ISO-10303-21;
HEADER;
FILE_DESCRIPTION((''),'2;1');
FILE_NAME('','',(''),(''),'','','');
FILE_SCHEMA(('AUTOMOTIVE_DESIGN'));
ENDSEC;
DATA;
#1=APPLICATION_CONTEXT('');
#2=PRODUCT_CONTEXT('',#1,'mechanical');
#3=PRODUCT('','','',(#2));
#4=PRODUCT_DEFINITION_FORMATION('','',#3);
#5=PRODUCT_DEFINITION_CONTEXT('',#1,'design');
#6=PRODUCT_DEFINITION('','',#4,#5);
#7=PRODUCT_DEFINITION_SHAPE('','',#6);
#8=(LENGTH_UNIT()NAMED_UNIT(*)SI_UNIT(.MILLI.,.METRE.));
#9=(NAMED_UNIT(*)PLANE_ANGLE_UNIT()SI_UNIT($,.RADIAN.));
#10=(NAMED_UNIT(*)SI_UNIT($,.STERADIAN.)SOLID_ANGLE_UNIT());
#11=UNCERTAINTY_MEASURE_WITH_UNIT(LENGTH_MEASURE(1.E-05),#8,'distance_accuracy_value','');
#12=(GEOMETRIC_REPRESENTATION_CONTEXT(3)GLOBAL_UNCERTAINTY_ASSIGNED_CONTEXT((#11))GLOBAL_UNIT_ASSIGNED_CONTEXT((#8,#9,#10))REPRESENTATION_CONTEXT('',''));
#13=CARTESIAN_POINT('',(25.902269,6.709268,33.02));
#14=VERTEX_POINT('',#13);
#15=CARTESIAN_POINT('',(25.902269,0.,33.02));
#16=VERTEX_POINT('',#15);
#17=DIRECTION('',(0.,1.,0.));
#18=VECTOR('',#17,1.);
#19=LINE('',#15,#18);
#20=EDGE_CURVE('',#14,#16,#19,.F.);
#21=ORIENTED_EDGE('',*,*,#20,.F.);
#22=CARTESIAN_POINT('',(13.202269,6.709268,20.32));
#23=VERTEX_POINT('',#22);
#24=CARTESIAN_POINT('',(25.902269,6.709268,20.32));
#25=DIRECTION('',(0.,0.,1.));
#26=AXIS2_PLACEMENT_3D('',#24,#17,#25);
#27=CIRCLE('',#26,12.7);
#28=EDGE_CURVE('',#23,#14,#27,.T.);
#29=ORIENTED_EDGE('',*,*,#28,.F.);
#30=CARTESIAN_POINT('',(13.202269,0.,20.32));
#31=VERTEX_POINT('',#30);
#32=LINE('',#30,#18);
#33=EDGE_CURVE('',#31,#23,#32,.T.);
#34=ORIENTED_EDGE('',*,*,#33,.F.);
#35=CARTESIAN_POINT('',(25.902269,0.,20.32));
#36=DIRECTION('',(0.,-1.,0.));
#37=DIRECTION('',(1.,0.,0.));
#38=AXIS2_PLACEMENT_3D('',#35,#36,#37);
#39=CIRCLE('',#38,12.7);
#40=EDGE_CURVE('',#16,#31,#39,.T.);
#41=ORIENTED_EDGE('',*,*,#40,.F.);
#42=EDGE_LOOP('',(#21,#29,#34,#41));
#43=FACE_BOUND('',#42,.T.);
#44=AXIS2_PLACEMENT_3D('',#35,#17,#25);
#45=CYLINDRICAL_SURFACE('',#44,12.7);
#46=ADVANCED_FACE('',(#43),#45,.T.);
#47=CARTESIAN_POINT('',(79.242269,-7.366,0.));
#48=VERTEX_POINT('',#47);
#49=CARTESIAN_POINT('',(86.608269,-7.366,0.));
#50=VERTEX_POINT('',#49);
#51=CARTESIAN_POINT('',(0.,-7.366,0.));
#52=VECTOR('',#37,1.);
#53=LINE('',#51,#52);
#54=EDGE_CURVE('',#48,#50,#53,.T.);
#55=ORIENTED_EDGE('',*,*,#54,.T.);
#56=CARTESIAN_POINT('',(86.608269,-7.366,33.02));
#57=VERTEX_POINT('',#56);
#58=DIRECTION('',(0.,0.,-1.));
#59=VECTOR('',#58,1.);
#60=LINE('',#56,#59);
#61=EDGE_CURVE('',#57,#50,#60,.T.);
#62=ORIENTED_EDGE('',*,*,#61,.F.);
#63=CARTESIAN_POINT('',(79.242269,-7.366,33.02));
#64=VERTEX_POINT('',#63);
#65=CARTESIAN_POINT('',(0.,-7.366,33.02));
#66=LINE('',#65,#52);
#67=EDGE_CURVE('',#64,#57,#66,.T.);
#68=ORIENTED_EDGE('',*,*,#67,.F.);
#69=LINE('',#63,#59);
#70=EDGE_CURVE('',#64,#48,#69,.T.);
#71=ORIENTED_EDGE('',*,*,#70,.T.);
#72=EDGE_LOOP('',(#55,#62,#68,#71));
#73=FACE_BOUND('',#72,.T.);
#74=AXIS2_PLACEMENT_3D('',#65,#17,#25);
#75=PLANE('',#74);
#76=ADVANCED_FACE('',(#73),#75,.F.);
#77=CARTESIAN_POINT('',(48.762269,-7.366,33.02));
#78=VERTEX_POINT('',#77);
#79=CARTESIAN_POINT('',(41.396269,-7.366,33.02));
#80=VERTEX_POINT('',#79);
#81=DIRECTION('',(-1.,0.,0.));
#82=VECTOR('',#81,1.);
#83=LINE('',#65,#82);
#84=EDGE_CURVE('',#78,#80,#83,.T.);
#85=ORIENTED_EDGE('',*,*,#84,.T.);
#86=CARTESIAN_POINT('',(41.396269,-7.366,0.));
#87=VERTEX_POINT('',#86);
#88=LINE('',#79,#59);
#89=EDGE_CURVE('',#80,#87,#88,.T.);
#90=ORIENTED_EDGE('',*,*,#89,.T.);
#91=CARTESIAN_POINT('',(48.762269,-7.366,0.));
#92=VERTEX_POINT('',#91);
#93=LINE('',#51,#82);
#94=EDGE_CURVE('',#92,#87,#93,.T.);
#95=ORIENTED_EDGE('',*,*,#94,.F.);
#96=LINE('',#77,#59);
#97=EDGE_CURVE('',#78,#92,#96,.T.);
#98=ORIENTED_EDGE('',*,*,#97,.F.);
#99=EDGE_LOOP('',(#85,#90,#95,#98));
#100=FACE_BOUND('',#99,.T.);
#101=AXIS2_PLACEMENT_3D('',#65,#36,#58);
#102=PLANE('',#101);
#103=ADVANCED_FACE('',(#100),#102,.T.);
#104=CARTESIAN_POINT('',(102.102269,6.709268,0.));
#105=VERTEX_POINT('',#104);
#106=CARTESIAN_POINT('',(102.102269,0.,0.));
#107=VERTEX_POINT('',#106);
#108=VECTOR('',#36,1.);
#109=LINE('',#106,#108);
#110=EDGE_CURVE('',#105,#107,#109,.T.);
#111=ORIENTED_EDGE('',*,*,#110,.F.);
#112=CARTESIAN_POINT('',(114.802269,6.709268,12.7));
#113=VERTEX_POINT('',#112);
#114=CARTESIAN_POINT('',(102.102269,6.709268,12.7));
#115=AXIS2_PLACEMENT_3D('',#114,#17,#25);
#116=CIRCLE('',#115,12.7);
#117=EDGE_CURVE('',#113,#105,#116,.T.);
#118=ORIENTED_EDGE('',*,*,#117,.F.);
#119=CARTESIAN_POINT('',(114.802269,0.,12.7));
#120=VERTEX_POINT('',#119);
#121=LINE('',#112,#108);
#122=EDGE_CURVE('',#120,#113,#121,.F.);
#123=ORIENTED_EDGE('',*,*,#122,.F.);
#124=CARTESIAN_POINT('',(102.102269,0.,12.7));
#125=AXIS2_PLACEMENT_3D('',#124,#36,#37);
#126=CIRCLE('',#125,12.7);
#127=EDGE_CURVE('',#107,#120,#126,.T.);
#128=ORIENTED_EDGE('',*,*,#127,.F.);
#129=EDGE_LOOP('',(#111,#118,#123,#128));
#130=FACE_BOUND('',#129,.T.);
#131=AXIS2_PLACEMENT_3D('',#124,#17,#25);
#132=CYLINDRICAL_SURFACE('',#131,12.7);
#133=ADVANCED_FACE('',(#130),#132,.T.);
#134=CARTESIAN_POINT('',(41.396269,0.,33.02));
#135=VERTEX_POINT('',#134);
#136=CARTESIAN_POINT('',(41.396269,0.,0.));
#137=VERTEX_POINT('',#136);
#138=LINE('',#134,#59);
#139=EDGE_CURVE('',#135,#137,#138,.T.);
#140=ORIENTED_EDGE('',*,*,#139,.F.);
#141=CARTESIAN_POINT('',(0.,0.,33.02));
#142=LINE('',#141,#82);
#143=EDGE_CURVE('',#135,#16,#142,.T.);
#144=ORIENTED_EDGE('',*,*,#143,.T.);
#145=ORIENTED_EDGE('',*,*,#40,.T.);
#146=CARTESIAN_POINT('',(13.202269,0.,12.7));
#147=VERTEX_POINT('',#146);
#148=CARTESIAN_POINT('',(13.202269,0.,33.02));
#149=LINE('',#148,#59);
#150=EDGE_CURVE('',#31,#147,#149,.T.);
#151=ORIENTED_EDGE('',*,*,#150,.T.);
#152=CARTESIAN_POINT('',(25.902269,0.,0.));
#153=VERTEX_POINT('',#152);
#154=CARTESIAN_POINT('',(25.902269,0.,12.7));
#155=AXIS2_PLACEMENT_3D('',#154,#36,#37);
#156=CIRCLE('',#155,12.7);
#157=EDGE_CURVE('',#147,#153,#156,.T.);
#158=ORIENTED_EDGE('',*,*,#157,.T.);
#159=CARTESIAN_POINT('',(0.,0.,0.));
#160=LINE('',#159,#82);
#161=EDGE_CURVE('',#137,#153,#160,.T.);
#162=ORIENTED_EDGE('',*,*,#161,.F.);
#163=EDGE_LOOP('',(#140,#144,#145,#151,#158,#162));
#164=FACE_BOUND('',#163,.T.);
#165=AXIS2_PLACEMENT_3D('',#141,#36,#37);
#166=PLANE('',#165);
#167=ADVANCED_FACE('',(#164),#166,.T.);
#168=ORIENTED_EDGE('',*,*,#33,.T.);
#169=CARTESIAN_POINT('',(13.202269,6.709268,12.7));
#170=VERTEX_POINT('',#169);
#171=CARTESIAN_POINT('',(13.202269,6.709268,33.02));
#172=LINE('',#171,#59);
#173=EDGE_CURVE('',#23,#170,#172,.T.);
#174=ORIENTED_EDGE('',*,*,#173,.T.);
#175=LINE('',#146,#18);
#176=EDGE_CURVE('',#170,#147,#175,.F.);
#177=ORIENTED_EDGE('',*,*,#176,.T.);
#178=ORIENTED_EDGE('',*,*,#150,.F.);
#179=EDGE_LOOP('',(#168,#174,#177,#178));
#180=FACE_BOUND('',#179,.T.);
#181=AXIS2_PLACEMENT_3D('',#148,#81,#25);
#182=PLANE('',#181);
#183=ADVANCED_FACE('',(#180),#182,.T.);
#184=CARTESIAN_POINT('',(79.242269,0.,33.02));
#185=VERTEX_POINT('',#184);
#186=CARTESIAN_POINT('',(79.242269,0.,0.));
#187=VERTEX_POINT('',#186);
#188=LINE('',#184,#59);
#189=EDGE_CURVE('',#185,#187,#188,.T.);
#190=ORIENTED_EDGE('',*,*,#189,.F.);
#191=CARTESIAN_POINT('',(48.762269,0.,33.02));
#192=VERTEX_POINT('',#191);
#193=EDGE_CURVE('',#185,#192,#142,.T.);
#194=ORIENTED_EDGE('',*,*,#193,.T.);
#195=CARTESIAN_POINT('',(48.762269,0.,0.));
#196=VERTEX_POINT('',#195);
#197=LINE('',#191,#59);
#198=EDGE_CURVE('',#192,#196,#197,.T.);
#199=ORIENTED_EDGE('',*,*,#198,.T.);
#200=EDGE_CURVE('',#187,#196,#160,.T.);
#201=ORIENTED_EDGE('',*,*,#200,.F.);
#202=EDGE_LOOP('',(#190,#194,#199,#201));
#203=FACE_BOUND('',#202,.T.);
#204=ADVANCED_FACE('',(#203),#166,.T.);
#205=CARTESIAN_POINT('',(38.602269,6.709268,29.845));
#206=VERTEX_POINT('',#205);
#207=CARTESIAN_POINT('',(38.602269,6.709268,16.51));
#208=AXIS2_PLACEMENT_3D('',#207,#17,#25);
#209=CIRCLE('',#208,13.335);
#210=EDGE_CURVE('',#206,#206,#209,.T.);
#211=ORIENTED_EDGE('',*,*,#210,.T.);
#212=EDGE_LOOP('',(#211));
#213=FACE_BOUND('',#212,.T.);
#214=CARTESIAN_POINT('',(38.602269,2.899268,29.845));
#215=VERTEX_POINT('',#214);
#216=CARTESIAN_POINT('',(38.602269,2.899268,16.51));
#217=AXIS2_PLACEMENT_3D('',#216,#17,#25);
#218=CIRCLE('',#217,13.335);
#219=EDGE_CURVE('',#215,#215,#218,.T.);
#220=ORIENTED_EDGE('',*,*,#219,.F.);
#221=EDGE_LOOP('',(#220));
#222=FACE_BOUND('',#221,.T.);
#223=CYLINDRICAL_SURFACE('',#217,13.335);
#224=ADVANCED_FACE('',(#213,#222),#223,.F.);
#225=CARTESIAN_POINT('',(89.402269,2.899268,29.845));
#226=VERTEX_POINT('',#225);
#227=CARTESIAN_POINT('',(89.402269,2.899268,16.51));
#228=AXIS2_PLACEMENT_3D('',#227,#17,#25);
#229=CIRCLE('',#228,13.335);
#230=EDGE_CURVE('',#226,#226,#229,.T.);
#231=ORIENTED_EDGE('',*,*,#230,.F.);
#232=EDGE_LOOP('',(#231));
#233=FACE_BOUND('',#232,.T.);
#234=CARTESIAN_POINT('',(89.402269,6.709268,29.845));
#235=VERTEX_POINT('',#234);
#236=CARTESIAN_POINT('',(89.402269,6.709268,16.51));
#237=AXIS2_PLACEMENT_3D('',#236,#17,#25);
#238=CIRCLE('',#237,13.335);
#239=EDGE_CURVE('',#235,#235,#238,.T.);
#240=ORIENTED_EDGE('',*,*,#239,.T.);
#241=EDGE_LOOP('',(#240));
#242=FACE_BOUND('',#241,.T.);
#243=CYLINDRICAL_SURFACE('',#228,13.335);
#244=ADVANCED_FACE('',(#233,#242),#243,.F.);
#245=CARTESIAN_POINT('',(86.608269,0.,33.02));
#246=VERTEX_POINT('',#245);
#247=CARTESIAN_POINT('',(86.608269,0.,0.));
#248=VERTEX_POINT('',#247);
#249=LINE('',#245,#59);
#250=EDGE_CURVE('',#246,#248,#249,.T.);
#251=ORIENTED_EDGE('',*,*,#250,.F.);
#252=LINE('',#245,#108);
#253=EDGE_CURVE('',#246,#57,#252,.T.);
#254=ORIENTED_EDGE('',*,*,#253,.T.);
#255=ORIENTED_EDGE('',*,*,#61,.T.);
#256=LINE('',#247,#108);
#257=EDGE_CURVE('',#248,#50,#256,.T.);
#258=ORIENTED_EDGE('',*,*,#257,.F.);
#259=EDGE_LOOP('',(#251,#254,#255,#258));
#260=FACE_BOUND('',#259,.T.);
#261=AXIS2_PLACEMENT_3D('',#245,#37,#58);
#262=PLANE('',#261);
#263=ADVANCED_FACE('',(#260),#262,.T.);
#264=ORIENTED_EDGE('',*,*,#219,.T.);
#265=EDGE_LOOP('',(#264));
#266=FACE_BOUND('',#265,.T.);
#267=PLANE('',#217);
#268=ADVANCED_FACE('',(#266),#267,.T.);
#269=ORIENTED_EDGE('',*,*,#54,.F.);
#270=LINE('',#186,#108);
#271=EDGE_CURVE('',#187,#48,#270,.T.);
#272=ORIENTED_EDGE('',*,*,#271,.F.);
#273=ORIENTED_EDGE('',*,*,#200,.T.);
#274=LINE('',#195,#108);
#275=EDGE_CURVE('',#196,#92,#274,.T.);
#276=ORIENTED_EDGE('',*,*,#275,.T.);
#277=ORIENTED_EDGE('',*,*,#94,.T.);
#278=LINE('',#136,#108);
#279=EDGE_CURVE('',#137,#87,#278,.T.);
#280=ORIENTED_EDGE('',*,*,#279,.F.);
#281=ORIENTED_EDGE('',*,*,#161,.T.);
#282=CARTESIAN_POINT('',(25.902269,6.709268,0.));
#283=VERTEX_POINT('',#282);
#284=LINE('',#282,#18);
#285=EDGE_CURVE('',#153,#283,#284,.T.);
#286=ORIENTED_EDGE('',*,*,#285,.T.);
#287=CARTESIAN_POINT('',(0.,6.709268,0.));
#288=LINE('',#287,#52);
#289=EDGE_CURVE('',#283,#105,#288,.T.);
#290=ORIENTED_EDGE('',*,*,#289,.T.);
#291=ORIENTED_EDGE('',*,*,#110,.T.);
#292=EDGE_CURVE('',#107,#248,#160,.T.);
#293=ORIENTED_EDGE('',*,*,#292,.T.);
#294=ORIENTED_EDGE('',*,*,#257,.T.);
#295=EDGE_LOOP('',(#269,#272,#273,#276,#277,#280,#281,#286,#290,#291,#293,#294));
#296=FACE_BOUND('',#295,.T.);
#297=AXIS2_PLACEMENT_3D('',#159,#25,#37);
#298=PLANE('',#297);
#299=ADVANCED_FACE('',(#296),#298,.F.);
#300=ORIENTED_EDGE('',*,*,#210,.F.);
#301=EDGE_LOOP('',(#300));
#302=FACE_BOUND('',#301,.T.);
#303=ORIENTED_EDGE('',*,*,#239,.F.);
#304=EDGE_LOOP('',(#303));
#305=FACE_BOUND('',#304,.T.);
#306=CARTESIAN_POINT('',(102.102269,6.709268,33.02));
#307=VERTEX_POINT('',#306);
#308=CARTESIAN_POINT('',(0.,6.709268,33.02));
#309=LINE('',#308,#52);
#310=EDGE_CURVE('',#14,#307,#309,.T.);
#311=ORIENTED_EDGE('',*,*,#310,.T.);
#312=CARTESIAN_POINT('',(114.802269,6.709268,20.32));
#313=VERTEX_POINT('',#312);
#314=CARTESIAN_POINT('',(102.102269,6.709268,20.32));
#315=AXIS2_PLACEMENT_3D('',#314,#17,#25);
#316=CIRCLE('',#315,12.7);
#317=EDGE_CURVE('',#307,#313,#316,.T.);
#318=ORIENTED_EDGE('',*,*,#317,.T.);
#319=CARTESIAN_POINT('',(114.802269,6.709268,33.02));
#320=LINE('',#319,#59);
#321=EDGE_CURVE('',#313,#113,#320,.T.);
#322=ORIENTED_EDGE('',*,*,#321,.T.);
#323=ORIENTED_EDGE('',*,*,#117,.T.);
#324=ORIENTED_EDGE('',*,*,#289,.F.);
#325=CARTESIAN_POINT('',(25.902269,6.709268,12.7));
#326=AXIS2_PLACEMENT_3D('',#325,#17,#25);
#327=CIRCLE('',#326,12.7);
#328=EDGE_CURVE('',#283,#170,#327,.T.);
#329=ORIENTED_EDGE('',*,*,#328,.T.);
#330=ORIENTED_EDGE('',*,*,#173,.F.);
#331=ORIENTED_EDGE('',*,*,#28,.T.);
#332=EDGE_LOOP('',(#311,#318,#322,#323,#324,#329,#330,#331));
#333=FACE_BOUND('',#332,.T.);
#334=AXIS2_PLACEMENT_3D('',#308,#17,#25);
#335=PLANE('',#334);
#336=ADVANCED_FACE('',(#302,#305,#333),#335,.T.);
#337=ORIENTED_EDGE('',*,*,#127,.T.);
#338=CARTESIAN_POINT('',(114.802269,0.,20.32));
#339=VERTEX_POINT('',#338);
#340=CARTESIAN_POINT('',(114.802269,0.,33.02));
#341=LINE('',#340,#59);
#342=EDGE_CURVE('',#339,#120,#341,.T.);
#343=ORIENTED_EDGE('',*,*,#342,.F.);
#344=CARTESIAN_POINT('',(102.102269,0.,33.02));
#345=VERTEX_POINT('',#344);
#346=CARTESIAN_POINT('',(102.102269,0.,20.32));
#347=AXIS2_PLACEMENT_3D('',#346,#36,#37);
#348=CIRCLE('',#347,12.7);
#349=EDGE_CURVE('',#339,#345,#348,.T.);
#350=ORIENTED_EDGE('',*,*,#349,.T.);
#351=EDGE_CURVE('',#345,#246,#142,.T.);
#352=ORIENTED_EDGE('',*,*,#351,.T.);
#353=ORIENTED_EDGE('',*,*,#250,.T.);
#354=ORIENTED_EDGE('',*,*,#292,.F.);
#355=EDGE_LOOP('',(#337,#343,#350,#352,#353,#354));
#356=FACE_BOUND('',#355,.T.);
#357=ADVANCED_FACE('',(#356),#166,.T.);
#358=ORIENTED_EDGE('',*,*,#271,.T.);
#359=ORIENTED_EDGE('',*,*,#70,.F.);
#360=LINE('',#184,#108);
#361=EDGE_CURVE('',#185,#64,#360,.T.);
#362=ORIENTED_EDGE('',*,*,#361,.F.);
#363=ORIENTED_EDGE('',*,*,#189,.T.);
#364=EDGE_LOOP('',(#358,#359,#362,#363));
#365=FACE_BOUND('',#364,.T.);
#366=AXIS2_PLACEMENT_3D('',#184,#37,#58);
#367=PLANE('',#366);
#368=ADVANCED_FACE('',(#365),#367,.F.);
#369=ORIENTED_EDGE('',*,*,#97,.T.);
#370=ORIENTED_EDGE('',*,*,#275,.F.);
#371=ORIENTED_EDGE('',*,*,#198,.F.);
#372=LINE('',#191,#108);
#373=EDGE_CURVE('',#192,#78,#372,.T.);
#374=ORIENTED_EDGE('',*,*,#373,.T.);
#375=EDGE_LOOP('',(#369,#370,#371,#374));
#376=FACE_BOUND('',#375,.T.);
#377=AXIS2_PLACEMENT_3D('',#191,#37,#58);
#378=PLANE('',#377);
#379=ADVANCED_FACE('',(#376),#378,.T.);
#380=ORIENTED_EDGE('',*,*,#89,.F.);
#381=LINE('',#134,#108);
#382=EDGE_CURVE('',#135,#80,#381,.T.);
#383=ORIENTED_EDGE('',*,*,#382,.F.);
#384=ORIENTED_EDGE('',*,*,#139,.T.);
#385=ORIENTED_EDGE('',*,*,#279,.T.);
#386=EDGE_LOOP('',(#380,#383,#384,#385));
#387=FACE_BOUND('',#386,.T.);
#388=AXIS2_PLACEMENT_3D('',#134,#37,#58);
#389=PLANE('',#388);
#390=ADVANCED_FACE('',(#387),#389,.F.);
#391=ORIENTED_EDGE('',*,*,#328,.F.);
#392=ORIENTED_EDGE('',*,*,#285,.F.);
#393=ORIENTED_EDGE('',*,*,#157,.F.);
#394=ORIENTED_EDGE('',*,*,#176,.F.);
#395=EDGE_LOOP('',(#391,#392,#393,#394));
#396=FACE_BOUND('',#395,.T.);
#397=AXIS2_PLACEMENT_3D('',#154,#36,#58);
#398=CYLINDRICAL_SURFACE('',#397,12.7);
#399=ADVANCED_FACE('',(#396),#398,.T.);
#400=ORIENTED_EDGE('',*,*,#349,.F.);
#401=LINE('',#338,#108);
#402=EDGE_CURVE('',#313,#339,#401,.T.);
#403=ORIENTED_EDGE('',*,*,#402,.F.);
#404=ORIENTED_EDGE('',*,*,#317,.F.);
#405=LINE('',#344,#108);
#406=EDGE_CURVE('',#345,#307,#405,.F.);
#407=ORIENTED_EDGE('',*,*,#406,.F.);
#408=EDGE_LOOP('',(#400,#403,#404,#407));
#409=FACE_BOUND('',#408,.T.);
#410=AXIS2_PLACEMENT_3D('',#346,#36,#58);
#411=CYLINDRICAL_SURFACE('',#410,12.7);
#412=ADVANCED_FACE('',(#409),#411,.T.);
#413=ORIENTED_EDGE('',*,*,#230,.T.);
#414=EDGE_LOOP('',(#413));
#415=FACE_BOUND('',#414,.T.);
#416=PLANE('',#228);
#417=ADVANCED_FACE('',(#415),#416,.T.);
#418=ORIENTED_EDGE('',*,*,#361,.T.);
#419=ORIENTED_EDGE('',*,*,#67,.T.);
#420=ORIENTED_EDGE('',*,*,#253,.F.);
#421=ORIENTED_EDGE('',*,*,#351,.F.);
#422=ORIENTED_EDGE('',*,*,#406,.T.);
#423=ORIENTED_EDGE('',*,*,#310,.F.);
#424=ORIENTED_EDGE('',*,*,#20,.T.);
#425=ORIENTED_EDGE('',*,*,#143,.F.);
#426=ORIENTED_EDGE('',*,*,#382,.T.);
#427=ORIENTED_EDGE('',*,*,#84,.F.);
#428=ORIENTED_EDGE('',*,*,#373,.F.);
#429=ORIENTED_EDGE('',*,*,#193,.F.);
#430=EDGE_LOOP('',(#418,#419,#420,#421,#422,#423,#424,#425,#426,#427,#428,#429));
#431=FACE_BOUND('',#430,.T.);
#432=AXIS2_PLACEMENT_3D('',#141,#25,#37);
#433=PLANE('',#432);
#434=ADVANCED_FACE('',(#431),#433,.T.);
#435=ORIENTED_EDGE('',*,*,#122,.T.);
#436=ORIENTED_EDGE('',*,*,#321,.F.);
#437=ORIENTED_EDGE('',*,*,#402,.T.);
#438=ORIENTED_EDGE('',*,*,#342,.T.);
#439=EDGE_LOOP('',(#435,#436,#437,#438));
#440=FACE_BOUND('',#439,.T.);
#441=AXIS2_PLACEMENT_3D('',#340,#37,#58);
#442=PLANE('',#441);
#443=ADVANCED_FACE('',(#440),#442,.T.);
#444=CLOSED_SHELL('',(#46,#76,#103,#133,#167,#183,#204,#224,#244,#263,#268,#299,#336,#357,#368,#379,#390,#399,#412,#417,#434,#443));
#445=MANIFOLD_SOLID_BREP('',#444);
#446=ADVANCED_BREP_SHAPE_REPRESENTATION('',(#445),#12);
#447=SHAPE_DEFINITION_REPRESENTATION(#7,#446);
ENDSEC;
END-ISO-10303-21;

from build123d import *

# Parameters (mm, degrees)
SKETCH1_W           = 7.366
SKETCH1_H           = 7.366
BOSS_EXTRUDE1_DEPTH = 33.02
SKETCH2_R           = 13.335
CUT_EXTRUDE1_DEPTH  = 3.81
FILLET1_R           = 12.7


with BuildPart() as part:
    # Sketch1 → Boss-Extrude1 (new body)
    with BuildSketch(Plane.XY):
        Polygon((48.76226865, 0), (41.39626865, 0), (13.20226865, 0), (13.20226865, 6.709268486), (114.80226865, 6.709268486), (114.80226865, 0), (86.60826865, 0), (79.24226865, 0), align=None)
        with Locations((45.07926865, -3.683)):
            Rectangle(SKETCH1_W, SKETCH1_H)
        with Locations((82.92526865, -3.683)):
            Rectangle(SKETCH1_W, SKETCH1_H)
    extrude(amount=BOSS_EXTRUDE1_DEPTH)

    # Sketch2 → Cut-Extrude1 (cut)
    with BuildSketch(Plane(origin=(0, 6.709268486, 0), x_dir=(1, 0, 0), z_dir=(0, 1, 0))):
        with Locations((38.60226865, -16.51)):
            Circle(SKETCH2_R)
        with Locations((89.40226865, -16.51)):
            Circle(SKETCH2_R)
    extrude(amount=-CUT_EXTRUDE1_DEPTH, mode=Mode.SUBTRACT)

    # Fillet1
    fillet1_edges = [part.edges().sort_by_distance(p)[0] for p in [
        (114.80226865, 3.354634243, 33.02),
        (13.20226865, 3.354634243, 0),
        (114.80226865, 3.354634243, 0),
        (13.20226865, 3.354634243, 33.02),
    ]]
    fillet(fillet1_edges, radius=FILLET1_R)


solid = part.part
